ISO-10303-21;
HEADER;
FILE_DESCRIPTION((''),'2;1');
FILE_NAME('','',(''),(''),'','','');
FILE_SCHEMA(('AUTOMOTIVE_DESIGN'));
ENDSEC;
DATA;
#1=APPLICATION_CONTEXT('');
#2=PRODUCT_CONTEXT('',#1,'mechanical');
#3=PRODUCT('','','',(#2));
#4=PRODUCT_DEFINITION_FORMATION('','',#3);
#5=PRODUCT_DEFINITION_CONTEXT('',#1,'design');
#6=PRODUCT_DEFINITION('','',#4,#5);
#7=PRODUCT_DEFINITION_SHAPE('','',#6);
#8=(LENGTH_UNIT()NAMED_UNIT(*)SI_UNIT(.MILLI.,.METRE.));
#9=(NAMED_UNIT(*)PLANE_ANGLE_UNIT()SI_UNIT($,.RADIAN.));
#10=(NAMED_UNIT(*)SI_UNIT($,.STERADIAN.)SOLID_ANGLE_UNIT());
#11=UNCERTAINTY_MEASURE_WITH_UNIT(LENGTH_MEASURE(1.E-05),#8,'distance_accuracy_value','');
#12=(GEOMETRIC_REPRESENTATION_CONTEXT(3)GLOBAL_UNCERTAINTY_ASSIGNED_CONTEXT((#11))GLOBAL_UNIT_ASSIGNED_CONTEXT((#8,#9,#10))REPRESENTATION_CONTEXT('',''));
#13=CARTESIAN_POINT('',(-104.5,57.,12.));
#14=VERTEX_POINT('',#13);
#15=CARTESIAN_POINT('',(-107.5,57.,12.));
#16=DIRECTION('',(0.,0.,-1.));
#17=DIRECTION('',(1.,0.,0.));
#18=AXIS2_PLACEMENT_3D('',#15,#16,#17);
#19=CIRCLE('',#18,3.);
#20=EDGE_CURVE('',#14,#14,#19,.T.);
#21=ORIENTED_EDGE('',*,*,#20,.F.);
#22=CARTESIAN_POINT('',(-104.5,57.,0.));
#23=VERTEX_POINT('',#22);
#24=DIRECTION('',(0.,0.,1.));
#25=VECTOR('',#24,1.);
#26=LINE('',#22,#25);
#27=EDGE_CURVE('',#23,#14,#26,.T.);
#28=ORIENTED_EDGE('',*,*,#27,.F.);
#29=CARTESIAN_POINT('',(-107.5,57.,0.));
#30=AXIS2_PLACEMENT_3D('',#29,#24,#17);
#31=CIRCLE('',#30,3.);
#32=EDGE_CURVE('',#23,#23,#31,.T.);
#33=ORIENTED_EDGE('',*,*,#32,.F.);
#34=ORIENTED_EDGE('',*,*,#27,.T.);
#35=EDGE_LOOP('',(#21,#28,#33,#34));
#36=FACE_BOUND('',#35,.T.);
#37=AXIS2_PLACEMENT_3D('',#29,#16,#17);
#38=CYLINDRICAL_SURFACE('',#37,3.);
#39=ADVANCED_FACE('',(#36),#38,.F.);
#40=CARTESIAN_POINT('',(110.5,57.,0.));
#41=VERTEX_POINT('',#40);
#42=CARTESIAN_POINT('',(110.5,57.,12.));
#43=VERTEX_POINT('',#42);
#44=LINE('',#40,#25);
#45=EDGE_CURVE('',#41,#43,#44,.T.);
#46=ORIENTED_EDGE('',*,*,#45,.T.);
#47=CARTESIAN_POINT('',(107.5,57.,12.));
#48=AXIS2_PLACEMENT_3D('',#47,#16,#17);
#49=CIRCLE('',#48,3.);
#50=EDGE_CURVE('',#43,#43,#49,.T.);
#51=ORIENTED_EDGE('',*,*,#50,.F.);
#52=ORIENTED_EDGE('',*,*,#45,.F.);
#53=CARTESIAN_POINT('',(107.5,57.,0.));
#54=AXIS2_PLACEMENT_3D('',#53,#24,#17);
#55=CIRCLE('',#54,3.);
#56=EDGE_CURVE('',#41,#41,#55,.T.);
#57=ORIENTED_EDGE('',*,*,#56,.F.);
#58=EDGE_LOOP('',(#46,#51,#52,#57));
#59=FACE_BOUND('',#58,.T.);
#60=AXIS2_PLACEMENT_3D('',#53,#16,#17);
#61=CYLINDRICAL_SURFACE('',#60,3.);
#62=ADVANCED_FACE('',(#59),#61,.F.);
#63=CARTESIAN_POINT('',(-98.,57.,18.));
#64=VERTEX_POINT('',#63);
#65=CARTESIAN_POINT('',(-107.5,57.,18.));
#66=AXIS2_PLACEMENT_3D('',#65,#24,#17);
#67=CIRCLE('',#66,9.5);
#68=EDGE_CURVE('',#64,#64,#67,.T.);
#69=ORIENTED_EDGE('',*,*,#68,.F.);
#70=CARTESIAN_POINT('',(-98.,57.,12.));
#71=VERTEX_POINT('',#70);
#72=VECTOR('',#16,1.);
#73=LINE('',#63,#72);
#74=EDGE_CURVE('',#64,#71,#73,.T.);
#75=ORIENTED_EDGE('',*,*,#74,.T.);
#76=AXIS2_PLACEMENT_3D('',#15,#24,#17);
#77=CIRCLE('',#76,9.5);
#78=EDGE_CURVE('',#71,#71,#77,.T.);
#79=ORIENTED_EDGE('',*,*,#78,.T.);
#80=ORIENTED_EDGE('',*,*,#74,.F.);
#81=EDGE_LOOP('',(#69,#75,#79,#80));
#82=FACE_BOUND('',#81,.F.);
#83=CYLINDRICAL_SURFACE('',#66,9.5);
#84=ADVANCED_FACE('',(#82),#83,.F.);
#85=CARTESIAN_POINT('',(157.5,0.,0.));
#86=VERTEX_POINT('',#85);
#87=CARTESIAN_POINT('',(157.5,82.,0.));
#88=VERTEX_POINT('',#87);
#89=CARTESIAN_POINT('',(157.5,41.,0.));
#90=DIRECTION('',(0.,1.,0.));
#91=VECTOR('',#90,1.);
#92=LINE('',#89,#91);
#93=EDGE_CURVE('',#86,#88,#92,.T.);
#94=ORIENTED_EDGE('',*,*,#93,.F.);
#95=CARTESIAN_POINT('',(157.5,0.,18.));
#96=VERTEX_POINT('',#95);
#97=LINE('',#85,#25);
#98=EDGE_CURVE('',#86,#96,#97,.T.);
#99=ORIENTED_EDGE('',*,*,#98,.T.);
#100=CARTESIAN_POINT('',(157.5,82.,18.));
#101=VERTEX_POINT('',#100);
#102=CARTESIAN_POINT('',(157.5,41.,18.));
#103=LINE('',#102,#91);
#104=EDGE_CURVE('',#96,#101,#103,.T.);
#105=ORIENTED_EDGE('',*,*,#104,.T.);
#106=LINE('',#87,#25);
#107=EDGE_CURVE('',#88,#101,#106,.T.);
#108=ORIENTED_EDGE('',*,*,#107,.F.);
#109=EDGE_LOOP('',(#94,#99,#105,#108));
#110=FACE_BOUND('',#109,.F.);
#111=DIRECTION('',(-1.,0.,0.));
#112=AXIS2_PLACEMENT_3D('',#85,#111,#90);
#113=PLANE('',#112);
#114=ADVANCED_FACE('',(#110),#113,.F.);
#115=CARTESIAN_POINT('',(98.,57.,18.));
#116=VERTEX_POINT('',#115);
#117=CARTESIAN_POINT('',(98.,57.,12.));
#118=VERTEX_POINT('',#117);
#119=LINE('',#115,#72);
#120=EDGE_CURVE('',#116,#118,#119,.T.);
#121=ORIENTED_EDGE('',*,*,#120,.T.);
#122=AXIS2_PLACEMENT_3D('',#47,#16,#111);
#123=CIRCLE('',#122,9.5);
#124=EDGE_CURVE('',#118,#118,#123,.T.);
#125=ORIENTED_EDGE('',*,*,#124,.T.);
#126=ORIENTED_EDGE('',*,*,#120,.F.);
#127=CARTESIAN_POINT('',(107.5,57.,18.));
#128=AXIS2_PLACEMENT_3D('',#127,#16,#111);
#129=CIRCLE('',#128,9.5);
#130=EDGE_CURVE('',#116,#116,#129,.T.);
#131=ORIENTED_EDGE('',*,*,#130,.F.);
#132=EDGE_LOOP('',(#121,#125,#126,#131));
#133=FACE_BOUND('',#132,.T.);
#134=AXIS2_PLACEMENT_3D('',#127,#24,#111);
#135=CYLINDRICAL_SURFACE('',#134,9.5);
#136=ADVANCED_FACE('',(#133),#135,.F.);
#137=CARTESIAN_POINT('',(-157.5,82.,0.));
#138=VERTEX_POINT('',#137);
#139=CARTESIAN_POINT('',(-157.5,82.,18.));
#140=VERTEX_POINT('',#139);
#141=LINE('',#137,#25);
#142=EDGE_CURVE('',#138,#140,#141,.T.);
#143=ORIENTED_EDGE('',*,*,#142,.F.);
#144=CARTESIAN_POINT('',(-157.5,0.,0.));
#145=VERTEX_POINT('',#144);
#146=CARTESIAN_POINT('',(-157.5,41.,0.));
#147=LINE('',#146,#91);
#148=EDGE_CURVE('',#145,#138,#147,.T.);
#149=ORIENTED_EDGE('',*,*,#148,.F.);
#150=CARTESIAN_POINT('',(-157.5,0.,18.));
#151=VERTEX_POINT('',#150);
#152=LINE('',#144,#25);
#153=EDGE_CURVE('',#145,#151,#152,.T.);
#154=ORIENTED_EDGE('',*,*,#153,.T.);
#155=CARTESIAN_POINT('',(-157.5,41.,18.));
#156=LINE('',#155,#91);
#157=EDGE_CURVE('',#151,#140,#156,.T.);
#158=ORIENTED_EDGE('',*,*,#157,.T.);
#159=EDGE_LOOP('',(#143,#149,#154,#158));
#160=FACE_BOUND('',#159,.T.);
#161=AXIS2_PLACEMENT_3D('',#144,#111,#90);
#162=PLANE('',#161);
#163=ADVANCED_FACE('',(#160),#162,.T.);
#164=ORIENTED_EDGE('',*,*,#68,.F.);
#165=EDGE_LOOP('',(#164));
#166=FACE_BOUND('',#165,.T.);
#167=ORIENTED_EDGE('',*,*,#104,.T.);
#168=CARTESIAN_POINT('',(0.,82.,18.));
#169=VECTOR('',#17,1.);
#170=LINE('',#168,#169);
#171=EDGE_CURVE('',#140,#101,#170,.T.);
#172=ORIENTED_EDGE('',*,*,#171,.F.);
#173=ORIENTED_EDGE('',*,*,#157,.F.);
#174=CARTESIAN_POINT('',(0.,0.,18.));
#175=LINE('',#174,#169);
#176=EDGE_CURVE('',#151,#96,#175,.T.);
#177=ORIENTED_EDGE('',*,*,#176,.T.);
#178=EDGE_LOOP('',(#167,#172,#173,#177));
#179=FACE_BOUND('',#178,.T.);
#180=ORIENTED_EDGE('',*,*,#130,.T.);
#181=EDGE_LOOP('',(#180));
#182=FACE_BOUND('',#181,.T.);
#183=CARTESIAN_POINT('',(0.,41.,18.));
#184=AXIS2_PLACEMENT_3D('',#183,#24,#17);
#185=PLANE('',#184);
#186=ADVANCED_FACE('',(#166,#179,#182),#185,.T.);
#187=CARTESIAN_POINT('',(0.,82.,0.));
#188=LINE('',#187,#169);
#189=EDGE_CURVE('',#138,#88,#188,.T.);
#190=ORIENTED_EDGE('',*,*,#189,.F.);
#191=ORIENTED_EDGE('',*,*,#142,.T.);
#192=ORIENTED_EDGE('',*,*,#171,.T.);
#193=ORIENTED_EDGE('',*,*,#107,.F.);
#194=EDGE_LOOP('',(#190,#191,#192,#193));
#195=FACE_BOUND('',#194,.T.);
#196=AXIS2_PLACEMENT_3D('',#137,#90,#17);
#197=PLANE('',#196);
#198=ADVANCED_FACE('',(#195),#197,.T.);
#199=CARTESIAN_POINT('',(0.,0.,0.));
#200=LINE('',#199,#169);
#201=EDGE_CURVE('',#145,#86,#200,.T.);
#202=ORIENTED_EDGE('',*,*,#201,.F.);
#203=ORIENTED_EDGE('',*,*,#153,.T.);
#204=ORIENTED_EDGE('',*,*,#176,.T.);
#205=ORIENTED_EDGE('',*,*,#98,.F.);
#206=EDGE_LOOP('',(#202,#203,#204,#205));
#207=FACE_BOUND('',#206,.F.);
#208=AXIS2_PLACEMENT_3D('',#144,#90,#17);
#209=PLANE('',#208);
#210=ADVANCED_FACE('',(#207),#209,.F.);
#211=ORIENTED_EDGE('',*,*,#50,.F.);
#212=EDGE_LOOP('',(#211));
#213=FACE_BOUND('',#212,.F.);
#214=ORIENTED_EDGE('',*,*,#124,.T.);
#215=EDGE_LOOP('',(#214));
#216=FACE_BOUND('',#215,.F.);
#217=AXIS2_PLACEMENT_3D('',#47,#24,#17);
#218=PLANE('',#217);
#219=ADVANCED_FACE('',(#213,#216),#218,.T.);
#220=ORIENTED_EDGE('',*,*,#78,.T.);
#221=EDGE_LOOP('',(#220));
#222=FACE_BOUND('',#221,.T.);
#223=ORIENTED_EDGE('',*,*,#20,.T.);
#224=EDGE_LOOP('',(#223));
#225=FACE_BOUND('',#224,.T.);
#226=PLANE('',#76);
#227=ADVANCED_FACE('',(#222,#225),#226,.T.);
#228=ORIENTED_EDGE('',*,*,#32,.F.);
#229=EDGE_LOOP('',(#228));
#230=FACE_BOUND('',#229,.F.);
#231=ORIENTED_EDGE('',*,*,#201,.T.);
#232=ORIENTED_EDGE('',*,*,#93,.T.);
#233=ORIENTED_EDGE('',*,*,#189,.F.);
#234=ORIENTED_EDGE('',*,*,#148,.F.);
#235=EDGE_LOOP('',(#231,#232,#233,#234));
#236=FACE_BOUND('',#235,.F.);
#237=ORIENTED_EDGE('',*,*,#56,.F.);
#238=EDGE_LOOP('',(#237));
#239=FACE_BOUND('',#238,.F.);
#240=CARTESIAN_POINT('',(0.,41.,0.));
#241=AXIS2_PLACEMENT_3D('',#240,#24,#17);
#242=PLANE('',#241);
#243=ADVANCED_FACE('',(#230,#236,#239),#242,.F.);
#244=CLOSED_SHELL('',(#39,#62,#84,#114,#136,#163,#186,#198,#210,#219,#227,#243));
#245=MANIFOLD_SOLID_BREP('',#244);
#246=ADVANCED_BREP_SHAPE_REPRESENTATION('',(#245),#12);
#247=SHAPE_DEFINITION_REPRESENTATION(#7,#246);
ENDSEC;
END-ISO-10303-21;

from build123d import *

# Parameters (mm, degrees)
SKETCH002_W  = 315
SKETCH002_H  = 82
SKETCH002_R  = 3
PAD002_DEPTH = 18
SKETCH003_R  = 9.5
POCKET_DEPTH = 6


with BuildPart() as part:
    # Sketch002 → Pad002 (new body)
    with BuildSketch(Plane.XY):
        with Locations((0, 41)):
            Rectangle(SKETCH002_W, SKETCH002_H)
        with Locations((-107.5, 57)):
            Circle(SKETCH002_R, mode=Mode.SUBTRACT)
        with Locations((107.5, 57)):
            Circle(SKETCH002_R, mode=Mode.SUBTRACT)
    extrude(amount=PAD002_DEPTH)

    # Sketch003 (on Face8 of Pad002) → Pocket (cut)
    with BuildSketch(Plane.XY.offset(18)):
        with Locations((-107.5, 57)):
            Circle(SKETCH003_R)
    pocket = extrude(amount=-POCKET_DEPTH, mode=Mode.SUBTRACT)

    # Mirrored: Pocket across Sketch003 V_Axis
    add(pocket.mirror(Plane(origin=(0, 0, 18), x_dir=(0, 0, 1), z_dir=(1, 0, 0))), mode=Mode.SUBTRACT)


solid = part.part
